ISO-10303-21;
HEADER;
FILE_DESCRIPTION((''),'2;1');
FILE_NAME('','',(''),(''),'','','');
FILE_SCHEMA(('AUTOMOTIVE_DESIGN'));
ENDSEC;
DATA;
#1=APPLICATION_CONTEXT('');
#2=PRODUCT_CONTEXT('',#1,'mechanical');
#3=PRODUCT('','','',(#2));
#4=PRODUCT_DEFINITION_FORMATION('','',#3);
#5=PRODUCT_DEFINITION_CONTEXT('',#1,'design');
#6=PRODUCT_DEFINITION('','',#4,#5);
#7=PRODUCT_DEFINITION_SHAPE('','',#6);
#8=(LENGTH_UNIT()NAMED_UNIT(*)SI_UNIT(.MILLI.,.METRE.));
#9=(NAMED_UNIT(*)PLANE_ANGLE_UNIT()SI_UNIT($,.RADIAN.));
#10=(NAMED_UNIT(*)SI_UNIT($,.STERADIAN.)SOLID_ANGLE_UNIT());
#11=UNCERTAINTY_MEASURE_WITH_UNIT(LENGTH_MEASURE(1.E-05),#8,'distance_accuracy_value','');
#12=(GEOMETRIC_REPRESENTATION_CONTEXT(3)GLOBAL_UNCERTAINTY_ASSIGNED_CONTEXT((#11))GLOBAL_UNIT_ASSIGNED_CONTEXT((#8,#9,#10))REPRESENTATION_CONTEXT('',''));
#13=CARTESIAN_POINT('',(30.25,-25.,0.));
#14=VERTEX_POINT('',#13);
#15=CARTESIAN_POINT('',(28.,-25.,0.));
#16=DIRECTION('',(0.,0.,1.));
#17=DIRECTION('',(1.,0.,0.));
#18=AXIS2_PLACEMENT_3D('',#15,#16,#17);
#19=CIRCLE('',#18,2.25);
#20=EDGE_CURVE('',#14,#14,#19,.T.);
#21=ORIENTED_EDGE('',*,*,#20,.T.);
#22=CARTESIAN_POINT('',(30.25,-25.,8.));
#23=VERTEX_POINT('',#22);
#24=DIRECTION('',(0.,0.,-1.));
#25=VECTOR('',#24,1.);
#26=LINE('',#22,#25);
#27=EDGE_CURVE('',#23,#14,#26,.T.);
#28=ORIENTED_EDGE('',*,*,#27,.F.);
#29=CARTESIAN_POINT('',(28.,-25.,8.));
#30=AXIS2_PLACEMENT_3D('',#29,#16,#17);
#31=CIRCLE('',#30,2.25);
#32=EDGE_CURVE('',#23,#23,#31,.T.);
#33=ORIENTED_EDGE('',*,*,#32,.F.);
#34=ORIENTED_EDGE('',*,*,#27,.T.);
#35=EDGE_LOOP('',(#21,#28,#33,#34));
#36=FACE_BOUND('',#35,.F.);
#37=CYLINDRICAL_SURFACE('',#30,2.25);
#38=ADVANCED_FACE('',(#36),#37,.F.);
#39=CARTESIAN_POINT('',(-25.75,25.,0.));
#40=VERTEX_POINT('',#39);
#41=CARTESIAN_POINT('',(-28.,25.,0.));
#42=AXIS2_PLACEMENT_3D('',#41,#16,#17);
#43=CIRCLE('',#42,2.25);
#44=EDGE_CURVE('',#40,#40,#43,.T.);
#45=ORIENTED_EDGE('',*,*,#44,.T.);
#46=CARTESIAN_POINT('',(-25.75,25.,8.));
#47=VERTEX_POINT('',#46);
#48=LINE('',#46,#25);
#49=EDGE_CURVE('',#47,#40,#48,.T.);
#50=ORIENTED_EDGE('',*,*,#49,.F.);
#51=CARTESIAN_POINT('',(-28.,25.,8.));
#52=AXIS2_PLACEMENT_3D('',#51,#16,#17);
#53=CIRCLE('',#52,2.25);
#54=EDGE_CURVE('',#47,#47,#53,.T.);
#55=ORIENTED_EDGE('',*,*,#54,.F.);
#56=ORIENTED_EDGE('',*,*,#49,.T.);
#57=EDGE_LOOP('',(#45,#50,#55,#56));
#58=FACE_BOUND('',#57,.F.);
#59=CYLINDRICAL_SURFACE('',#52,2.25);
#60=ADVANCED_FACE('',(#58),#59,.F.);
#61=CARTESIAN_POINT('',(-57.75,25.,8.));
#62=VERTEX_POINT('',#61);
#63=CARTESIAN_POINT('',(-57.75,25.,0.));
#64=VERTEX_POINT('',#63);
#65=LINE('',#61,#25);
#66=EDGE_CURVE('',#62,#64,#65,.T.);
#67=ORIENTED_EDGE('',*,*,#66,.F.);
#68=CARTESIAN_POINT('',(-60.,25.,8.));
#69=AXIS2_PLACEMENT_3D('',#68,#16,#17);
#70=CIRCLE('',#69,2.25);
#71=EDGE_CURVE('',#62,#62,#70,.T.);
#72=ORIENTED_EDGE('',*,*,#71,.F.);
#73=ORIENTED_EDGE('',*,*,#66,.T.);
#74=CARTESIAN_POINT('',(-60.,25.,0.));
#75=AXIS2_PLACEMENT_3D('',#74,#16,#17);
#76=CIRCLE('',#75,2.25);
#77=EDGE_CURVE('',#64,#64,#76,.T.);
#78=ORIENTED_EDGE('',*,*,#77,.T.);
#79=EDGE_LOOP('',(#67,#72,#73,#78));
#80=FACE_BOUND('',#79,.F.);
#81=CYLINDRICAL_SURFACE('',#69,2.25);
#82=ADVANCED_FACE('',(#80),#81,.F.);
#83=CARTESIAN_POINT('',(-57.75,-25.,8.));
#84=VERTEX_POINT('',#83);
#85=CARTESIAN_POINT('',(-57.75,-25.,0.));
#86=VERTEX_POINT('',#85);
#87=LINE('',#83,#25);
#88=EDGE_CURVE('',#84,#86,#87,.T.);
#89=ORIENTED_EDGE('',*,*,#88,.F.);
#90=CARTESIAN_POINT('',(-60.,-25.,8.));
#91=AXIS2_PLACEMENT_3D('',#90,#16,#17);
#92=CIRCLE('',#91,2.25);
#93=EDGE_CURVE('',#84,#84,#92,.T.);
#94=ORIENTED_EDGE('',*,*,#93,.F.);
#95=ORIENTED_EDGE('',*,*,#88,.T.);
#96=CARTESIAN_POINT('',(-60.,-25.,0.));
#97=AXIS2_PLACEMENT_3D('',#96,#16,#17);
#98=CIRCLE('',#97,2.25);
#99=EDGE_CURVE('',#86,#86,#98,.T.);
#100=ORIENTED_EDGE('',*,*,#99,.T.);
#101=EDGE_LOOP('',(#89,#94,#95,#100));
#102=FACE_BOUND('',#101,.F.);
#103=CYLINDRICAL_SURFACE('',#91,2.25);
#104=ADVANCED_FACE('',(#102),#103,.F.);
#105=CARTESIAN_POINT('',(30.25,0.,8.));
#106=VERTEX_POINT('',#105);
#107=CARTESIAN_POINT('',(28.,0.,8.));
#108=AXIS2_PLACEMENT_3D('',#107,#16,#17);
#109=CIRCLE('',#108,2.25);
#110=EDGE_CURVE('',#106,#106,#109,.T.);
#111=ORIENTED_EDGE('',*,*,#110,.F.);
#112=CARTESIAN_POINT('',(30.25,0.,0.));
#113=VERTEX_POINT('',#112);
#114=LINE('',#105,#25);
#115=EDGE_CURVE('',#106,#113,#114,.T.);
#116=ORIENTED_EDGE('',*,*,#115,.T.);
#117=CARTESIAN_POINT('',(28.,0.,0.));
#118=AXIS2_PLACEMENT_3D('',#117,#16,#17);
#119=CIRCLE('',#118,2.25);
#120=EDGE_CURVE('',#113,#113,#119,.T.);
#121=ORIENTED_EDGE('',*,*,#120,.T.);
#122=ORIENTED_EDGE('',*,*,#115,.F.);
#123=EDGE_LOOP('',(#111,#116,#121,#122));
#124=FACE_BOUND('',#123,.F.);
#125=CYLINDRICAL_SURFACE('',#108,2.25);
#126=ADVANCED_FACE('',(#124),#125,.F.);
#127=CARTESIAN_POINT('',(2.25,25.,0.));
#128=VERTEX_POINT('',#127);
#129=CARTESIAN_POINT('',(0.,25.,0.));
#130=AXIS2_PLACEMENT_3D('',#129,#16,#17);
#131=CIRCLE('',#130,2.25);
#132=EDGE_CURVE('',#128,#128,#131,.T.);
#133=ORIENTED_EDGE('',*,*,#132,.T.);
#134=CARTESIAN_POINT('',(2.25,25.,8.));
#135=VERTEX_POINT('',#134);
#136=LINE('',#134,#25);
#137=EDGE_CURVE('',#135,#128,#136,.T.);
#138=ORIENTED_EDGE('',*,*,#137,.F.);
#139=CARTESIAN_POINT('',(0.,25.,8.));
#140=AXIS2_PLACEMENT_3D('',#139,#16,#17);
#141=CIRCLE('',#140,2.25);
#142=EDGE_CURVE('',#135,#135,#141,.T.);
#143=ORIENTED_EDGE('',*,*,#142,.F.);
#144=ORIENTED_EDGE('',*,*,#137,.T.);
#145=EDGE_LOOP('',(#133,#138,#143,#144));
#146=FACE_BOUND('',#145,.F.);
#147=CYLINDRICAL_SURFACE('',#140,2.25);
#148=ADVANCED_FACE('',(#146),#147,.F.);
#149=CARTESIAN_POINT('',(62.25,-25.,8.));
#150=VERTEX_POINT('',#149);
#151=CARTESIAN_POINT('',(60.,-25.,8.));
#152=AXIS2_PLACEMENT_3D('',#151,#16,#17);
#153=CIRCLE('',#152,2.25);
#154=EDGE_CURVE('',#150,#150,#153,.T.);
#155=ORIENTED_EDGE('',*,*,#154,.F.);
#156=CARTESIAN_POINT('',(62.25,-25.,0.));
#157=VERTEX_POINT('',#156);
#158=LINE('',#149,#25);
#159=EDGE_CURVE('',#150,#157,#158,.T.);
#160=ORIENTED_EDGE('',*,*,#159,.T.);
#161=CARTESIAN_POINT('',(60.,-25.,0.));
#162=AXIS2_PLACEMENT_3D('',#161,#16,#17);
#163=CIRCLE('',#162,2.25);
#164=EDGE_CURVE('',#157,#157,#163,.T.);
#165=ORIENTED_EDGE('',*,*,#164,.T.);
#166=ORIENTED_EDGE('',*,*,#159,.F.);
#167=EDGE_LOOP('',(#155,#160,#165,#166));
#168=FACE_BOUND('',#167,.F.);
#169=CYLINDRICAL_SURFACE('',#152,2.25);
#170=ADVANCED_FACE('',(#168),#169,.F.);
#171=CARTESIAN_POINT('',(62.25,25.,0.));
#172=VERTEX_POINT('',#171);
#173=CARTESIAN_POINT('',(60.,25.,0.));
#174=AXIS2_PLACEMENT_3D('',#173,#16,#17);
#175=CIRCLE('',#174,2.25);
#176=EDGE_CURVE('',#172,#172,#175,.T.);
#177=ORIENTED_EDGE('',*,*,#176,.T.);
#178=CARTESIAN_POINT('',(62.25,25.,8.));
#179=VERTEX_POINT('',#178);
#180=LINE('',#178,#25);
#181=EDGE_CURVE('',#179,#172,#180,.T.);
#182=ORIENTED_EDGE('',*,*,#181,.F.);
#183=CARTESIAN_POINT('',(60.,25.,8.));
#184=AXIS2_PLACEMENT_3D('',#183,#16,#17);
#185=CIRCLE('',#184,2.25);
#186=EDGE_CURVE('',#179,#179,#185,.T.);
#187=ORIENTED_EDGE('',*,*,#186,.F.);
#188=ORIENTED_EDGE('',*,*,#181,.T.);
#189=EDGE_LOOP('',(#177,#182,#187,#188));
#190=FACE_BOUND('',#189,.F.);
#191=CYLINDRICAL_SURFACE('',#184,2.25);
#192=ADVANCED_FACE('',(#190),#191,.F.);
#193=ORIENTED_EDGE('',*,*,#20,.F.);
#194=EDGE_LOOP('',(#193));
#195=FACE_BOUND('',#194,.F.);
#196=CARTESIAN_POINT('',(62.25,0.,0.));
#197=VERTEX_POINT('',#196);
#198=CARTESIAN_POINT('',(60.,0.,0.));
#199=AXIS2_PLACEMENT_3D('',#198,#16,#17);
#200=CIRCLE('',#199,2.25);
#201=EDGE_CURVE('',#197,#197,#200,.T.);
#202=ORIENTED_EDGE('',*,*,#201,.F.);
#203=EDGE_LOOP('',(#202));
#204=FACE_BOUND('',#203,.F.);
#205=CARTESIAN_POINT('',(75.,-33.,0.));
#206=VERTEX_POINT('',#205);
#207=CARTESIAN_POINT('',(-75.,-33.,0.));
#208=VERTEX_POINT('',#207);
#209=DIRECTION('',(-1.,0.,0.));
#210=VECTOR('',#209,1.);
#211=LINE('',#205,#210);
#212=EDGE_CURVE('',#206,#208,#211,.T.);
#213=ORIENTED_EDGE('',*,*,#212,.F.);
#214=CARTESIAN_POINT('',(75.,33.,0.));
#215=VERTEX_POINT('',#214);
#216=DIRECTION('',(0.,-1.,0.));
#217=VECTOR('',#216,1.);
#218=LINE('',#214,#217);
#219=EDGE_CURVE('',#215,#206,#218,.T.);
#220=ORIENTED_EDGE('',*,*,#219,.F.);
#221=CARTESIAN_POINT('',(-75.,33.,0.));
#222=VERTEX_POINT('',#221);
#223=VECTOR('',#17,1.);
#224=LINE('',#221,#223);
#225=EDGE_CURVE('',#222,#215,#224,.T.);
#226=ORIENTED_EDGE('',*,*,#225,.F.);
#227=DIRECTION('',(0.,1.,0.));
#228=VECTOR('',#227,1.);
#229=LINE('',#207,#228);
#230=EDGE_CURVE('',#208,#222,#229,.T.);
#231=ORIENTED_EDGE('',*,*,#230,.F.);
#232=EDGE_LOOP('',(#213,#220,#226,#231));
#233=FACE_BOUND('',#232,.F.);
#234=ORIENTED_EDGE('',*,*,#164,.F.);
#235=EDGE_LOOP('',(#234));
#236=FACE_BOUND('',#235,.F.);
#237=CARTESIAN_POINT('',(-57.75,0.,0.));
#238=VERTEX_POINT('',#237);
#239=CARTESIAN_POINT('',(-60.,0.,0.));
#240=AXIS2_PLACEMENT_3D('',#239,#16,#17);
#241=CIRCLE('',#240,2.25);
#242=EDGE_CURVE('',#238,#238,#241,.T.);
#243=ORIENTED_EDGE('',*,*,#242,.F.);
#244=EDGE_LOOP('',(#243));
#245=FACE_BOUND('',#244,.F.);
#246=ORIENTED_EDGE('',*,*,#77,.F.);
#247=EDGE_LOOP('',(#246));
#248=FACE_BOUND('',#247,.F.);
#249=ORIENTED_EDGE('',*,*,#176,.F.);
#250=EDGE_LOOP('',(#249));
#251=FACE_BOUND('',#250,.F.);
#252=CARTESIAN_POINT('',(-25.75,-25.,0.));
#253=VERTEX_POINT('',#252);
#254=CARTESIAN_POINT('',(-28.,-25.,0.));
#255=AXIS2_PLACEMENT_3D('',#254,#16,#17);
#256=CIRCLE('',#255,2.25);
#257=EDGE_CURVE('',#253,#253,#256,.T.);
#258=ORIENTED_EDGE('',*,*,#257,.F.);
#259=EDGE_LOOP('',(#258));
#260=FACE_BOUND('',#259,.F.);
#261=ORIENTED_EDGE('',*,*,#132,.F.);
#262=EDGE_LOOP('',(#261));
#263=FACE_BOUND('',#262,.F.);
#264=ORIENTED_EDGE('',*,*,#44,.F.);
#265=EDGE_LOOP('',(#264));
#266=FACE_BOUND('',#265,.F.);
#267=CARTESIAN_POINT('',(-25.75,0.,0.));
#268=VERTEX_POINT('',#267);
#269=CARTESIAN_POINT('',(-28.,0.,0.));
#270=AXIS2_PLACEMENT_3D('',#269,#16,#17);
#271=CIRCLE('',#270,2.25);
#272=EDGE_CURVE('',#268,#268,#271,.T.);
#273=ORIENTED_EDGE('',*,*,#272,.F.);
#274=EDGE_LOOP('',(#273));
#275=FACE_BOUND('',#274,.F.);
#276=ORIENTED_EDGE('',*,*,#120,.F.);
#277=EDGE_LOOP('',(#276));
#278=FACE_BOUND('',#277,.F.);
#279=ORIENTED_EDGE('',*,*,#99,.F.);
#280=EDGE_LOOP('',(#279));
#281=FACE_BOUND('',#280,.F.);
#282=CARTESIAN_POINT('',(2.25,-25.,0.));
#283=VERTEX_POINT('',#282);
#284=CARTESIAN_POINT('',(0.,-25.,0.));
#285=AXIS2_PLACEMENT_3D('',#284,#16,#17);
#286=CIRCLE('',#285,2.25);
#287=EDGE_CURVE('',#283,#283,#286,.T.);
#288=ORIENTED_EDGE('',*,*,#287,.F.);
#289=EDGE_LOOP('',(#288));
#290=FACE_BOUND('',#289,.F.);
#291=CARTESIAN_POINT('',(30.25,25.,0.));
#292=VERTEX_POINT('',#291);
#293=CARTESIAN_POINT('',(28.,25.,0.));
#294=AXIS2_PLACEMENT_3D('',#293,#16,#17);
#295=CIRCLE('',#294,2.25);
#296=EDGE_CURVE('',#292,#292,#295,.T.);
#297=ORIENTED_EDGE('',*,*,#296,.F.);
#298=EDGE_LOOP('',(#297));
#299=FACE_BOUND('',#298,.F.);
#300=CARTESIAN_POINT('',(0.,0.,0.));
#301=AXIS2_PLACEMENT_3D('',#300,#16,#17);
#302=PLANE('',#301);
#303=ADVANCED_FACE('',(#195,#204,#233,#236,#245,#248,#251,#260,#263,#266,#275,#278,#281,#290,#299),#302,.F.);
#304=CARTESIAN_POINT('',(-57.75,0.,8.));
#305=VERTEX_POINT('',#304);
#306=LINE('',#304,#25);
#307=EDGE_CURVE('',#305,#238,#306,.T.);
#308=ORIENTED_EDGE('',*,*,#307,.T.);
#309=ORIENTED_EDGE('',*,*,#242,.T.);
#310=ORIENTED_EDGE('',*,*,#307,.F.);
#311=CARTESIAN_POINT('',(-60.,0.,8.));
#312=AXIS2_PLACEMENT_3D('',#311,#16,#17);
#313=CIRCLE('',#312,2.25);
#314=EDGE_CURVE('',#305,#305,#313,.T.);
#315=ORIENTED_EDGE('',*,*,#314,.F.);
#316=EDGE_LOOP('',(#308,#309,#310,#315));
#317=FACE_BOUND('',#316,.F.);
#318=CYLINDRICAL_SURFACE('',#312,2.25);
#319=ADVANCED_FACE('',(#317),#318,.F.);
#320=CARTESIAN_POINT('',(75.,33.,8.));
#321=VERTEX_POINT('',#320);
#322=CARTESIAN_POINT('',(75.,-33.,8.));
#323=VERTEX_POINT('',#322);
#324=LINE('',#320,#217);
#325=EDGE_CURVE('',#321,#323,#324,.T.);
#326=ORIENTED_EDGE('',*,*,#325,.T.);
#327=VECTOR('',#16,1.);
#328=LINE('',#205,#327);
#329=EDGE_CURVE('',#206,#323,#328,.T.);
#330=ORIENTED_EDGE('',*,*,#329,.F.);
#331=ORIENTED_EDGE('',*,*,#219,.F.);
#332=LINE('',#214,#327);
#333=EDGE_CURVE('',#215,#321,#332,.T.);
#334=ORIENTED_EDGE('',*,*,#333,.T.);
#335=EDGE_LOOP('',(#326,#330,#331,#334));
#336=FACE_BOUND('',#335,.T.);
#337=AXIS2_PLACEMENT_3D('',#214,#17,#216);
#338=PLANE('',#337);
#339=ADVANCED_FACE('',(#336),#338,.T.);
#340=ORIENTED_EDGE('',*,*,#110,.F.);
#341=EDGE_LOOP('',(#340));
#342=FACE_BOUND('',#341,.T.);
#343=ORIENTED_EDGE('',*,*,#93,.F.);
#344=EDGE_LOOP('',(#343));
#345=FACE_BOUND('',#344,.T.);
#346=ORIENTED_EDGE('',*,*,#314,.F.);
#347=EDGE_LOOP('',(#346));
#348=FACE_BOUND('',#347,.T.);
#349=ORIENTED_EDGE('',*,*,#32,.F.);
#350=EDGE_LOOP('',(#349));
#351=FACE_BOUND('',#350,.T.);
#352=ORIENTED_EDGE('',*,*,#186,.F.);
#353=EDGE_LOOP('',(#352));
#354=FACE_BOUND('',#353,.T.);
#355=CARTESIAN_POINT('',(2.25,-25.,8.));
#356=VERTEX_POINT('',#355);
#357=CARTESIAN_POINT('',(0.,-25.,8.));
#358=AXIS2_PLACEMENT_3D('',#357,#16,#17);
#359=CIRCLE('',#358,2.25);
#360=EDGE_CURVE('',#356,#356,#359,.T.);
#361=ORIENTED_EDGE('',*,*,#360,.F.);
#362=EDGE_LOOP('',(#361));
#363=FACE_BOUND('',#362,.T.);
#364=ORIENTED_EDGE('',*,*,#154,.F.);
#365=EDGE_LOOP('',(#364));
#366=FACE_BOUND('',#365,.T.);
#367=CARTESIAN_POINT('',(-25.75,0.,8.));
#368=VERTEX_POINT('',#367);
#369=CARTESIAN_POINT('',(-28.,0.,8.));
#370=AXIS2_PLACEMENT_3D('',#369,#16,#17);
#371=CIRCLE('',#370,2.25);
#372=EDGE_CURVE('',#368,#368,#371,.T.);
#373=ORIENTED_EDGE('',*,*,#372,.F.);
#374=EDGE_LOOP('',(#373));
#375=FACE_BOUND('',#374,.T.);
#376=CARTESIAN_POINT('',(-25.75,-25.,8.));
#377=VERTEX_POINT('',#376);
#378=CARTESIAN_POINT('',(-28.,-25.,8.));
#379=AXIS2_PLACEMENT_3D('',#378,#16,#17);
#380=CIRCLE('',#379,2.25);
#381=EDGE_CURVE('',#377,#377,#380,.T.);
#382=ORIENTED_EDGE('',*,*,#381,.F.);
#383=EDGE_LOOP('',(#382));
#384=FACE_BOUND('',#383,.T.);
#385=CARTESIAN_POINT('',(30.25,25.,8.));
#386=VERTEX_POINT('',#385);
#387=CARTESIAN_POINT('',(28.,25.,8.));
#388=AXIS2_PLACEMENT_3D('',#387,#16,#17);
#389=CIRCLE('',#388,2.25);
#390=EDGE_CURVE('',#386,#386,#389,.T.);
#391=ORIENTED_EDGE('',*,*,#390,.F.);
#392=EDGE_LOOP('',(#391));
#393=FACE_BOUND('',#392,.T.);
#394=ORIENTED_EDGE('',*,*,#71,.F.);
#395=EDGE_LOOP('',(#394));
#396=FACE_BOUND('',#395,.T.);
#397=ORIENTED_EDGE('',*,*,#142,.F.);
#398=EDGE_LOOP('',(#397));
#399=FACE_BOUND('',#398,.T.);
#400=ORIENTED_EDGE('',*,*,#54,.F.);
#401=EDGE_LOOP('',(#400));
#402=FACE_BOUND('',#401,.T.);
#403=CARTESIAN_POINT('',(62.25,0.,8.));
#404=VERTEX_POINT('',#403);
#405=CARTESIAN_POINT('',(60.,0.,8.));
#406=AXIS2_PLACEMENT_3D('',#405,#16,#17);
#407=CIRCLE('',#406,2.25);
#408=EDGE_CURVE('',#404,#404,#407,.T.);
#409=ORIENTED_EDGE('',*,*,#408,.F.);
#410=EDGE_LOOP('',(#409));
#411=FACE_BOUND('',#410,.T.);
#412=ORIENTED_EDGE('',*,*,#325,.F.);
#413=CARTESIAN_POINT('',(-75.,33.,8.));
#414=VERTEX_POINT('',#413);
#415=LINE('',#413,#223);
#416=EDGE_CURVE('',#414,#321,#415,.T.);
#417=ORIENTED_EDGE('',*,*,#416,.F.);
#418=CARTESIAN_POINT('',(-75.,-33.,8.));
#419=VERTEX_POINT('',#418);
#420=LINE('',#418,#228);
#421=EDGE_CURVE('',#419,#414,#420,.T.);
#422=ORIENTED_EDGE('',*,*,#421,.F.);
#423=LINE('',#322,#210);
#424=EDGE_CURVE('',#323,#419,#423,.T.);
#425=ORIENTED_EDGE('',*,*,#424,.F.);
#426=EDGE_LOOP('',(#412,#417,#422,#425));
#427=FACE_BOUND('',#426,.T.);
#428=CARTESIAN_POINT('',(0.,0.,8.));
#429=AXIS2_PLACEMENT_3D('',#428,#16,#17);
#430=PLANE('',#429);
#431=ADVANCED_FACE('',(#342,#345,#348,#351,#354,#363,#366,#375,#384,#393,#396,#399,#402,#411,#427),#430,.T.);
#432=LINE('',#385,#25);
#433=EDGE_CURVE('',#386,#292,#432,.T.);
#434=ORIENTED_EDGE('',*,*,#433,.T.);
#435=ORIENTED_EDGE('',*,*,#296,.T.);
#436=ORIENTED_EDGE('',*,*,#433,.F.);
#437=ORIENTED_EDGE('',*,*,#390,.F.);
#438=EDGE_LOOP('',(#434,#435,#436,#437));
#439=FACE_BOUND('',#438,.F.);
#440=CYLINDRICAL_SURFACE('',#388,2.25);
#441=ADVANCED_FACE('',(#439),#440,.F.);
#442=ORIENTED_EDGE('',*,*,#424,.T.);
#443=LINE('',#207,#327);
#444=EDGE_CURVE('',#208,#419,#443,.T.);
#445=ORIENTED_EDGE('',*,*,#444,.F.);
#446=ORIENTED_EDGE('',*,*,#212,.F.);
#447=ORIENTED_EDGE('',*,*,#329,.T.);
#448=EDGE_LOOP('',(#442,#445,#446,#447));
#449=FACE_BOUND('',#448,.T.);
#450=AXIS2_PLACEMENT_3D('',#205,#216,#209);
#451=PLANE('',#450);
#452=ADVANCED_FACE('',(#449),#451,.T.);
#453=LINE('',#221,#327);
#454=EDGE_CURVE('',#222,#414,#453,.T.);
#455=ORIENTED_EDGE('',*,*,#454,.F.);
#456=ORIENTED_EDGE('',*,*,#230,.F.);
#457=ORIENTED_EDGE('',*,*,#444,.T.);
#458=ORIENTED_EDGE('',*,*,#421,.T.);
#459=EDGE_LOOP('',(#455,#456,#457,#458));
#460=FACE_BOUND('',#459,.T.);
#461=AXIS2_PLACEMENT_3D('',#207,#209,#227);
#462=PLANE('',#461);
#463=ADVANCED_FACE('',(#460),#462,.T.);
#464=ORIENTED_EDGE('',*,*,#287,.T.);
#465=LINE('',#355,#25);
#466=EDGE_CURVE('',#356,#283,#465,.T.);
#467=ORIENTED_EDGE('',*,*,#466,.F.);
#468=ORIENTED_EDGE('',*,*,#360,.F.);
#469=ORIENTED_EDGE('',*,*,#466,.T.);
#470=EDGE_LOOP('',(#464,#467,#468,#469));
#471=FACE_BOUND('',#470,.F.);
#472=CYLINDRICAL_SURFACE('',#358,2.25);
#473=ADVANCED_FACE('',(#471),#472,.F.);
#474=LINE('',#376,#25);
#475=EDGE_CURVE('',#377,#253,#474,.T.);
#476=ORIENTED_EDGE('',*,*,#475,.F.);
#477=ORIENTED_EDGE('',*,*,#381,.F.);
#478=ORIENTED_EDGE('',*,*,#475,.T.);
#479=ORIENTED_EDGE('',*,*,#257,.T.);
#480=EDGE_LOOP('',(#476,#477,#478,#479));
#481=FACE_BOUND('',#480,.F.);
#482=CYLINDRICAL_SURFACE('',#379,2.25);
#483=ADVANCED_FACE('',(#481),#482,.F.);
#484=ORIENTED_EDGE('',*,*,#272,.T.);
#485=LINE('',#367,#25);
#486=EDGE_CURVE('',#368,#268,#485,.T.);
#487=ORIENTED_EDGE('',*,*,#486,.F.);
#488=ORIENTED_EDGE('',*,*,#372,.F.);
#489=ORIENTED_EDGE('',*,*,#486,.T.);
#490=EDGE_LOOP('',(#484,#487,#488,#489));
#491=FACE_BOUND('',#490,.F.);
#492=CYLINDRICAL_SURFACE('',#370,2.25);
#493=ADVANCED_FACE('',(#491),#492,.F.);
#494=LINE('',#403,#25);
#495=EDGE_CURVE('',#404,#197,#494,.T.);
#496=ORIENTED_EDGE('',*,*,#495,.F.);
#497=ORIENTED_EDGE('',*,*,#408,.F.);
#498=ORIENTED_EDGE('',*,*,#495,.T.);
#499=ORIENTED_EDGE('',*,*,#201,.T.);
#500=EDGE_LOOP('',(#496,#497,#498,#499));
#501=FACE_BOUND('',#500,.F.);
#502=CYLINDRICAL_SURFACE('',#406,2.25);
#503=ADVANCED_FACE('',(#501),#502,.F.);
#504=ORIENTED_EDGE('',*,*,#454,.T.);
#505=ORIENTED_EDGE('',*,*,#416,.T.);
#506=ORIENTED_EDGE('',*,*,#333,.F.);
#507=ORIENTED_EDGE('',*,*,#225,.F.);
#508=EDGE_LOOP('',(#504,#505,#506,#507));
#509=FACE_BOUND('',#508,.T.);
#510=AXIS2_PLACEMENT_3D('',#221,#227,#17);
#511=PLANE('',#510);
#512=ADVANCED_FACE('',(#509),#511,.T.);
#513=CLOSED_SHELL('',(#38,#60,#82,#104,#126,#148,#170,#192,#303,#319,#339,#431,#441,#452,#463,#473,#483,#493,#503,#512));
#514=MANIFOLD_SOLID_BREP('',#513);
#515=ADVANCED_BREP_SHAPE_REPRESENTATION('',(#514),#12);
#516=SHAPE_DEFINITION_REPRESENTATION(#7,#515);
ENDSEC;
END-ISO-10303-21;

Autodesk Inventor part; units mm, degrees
ref_plane "YZ Plane" through (0, 0, 0) normal (1, 0, 0) x (0, 1, 0)
ref_plane "XZ Plane" through (0, 0, 0) normal (0, 1, 0) x (-1, 0, 0)
ref_plane "XY Plane" through (0, 0, 0) normal (0, 0, 1) x (1, 0, 0)
sketch "Sketch1" plane through (0, 0, 0) normal (0, 0, 1) x (1, 0, 0)
  line L0 (-75, 33) -> (75, 33)
  line L1 (75, 33) -> (75, -33)
  line L2 (75, -33) -> (-75, -33)
  line L3 (-75, -33) -> (-75, 33)
  point P0 (0, 0)
  point P1 (0, 33)
  point P2 (-75, 0)
  dimension "d0" = 150
  dimension "d1" = 66
extrude "Extrusion1" add sketch "Sketch1" along normal blind 8
sketch "Sketch4" plane through (0, 0, 8) normal (0, 0, 1) x (1, 0, 0)
  circle A0 centre (-60, -25) radius 2.25
  circle A1 centre (-60, 25) radius 2.25
  line L0 (-75, 33) -> (-75, -33) projected
  line L1 (-75, -33) -> (75, -33) projected
  line L2 (75, 33) -> (-75, 33) projected
  circle A2 centre (-60, 0) radius 2.25
  circle A3 centre (-28, -25) radius 2.25
  circle A4 centre (-28, 0) radius 2.25
  circle A5 centre (-28, 25) radius 2.25
  circle A6 centre (60, -25) radius 2.25
  line L3 (75, -33) -> (75, 33) projected
  circle A7 centre (60, 0) radius 2.25
  circle A8 centre (60, 25) radius 2.25
  circle A9 centre (28, -25) radius 2.25
  circle A10 centre (28, 0) radius 2.25
  circle A11 centre (28, 25) radius 2.25
  circle A12 centre (0, -25) radius 2.25
  circle A13 centre (0, 25) radius 2.25
  point P0 (0, 0)
  point P1 (-75, 0)
  point P2 (-75, 0)
  dimension "d19" = 4.5
  dimension "d20" = 15
  dimension "d21" = 8
  dimension "d22" = 8
  dimension "d23" = 32
  dimension "d24" = 15
  dimension "d26" = 32
extrude "Extrusion4" cut sketch "Sketch4" against normal through all contours A0 | A1 | A2 | A3 | A4 | A5 | A6 | A7 | A8 | A9 | A10 | A11 | A12 | A13
equation "\"d22\" = d21"
equation "\"d24\" = d20"
equation "\"d26\" = d23"
properties part number "0005-10-022 fixare rulmenti"
